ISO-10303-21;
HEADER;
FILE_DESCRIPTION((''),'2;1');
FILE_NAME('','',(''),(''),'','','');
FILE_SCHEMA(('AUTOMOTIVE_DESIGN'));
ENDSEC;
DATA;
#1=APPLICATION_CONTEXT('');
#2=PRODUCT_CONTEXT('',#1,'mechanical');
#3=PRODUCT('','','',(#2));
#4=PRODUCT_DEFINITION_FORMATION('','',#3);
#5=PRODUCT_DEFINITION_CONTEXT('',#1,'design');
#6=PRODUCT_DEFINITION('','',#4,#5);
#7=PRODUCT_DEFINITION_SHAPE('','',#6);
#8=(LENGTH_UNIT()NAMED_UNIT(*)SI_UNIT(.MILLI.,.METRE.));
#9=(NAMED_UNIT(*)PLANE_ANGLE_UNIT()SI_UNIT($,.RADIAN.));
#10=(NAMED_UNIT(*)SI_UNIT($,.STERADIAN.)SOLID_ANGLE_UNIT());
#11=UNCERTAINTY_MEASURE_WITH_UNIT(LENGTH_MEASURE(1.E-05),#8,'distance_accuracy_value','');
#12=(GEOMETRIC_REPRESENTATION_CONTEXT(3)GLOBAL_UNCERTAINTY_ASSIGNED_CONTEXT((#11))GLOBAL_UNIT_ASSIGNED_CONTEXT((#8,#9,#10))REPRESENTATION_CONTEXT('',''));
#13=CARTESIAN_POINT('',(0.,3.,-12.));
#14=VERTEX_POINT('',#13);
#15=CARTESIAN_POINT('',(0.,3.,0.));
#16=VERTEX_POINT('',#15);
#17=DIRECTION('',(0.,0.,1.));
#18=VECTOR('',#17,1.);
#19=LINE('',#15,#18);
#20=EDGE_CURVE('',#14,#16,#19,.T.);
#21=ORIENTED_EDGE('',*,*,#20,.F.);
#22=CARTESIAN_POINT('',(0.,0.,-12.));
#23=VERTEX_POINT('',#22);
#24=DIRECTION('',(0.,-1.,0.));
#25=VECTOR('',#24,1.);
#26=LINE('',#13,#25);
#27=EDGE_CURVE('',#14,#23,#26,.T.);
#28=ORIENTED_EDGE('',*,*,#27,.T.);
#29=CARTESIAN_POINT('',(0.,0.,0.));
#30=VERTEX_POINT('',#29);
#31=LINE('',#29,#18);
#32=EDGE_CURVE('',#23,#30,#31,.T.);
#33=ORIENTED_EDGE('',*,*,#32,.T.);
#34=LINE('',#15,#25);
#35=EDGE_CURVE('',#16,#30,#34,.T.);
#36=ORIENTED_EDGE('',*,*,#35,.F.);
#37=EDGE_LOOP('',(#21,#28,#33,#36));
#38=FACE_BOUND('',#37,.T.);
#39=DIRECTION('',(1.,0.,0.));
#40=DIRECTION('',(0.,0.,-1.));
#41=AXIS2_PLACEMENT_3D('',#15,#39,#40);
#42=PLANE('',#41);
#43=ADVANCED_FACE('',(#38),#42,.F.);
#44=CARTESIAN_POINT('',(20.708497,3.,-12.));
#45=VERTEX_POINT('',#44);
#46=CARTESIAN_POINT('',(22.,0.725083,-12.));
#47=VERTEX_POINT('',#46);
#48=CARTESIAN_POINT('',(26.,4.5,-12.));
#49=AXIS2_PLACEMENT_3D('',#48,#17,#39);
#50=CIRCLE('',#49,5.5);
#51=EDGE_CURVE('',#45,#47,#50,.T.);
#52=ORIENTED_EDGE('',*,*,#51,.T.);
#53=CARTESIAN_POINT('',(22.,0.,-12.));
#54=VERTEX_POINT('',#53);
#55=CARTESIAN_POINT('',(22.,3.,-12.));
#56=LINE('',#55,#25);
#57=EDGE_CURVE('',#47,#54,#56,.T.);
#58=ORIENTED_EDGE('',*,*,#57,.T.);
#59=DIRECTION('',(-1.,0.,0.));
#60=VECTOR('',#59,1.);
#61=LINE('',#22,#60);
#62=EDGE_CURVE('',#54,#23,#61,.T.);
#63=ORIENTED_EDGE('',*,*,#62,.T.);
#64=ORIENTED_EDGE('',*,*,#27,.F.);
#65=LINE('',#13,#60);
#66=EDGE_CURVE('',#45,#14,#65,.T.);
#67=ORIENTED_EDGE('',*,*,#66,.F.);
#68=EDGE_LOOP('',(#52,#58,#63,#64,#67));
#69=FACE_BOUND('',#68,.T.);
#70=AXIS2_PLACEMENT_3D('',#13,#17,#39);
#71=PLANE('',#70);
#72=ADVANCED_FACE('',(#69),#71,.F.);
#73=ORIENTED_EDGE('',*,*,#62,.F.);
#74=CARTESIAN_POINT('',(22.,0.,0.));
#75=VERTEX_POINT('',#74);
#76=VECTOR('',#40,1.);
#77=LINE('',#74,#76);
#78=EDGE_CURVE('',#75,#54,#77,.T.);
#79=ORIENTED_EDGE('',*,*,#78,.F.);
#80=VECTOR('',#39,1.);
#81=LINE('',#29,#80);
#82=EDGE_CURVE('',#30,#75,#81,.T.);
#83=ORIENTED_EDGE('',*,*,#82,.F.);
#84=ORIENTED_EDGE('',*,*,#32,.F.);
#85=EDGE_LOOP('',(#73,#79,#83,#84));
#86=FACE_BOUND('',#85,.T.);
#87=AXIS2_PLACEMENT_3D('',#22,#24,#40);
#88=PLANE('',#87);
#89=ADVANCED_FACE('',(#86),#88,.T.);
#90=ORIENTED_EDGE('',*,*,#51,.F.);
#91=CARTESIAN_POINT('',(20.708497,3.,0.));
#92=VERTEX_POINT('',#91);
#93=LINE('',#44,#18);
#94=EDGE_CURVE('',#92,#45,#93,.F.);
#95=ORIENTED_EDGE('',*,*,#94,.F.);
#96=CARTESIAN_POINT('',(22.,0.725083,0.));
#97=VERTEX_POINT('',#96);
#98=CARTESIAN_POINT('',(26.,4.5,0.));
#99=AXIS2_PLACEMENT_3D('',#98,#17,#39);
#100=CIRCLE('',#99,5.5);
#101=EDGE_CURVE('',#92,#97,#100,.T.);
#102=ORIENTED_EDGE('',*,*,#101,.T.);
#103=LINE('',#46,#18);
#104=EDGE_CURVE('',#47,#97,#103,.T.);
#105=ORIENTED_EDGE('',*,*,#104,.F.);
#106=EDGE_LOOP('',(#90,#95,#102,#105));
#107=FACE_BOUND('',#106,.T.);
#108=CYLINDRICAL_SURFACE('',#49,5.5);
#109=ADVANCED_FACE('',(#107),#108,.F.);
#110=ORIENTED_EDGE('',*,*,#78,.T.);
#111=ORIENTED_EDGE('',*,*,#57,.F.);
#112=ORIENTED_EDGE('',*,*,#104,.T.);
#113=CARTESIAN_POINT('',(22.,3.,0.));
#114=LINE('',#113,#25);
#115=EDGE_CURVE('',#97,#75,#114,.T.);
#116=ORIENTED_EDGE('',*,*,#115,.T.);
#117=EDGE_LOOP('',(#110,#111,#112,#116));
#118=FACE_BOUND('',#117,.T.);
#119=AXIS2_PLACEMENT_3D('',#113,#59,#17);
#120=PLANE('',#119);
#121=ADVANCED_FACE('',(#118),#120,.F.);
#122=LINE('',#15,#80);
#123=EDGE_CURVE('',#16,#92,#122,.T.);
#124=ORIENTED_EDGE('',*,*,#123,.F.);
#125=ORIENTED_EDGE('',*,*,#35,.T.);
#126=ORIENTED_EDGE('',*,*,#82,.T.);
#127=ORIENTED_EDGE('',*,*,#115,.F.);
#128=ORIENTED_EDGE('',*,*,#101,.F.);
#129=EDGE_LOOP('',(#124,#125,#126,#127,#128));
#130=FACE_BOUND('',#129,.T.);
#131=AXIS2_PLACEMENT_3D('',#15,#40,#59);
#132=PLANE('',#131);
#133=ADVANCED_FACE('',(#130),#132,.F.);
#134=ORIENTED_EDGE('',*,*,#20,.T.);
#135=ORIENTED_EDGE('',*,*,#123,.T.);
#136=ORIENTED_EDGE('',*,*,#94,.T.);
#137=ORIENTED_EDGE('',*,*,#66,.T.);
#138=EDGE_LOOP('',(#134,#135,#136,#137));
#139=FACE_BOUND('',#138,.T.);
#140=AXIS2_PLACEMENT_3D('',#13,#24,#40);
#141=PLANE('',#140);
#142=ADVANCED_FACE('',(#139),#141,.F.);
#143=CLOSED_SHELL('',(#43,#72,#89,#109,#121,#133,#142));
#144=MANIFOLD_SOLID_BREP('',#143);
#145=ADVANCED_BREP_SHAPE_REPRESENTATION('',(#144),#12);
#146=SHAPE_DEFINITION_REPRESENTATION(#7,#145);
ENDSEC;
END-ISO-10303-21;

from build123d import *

# Parameters (mm, degrees)
SKETCH_1_W          = 22
SKETCH_1_H          = 12
EXTRUDE_1_DEPTH     = 3
SKETCH_2_R          = 5.5
CUT_EXTRUDE_1_DEPTH = 13


with BuildPart() as part:
    # Эскиз1 → Бобышка-Вытянуть1 (new body)
    with BuildSketch(Plane(origin=(0, 0, 0), x_dir=(1, 0, 0), z_dir=(0, 1, 0))):
        with Locations((11, 6)):
            Rectangle(SKETCH_1_W, SKETCH_1_H)
    extrude(amount=EXTRUDE_1_DEPTH)

    # Эскиз2 → Вырез-Вытянуть1 (cut, through all)
    with BuildSketch(Plane.XY):
        with Locations((26, 4.5)):
            Circle(SKETCH_2_R)
    extrude(amount=-CUT_EXTRUDE_1_DEPTH, mode=Mode.SUBTRACT)


solid = part.part
